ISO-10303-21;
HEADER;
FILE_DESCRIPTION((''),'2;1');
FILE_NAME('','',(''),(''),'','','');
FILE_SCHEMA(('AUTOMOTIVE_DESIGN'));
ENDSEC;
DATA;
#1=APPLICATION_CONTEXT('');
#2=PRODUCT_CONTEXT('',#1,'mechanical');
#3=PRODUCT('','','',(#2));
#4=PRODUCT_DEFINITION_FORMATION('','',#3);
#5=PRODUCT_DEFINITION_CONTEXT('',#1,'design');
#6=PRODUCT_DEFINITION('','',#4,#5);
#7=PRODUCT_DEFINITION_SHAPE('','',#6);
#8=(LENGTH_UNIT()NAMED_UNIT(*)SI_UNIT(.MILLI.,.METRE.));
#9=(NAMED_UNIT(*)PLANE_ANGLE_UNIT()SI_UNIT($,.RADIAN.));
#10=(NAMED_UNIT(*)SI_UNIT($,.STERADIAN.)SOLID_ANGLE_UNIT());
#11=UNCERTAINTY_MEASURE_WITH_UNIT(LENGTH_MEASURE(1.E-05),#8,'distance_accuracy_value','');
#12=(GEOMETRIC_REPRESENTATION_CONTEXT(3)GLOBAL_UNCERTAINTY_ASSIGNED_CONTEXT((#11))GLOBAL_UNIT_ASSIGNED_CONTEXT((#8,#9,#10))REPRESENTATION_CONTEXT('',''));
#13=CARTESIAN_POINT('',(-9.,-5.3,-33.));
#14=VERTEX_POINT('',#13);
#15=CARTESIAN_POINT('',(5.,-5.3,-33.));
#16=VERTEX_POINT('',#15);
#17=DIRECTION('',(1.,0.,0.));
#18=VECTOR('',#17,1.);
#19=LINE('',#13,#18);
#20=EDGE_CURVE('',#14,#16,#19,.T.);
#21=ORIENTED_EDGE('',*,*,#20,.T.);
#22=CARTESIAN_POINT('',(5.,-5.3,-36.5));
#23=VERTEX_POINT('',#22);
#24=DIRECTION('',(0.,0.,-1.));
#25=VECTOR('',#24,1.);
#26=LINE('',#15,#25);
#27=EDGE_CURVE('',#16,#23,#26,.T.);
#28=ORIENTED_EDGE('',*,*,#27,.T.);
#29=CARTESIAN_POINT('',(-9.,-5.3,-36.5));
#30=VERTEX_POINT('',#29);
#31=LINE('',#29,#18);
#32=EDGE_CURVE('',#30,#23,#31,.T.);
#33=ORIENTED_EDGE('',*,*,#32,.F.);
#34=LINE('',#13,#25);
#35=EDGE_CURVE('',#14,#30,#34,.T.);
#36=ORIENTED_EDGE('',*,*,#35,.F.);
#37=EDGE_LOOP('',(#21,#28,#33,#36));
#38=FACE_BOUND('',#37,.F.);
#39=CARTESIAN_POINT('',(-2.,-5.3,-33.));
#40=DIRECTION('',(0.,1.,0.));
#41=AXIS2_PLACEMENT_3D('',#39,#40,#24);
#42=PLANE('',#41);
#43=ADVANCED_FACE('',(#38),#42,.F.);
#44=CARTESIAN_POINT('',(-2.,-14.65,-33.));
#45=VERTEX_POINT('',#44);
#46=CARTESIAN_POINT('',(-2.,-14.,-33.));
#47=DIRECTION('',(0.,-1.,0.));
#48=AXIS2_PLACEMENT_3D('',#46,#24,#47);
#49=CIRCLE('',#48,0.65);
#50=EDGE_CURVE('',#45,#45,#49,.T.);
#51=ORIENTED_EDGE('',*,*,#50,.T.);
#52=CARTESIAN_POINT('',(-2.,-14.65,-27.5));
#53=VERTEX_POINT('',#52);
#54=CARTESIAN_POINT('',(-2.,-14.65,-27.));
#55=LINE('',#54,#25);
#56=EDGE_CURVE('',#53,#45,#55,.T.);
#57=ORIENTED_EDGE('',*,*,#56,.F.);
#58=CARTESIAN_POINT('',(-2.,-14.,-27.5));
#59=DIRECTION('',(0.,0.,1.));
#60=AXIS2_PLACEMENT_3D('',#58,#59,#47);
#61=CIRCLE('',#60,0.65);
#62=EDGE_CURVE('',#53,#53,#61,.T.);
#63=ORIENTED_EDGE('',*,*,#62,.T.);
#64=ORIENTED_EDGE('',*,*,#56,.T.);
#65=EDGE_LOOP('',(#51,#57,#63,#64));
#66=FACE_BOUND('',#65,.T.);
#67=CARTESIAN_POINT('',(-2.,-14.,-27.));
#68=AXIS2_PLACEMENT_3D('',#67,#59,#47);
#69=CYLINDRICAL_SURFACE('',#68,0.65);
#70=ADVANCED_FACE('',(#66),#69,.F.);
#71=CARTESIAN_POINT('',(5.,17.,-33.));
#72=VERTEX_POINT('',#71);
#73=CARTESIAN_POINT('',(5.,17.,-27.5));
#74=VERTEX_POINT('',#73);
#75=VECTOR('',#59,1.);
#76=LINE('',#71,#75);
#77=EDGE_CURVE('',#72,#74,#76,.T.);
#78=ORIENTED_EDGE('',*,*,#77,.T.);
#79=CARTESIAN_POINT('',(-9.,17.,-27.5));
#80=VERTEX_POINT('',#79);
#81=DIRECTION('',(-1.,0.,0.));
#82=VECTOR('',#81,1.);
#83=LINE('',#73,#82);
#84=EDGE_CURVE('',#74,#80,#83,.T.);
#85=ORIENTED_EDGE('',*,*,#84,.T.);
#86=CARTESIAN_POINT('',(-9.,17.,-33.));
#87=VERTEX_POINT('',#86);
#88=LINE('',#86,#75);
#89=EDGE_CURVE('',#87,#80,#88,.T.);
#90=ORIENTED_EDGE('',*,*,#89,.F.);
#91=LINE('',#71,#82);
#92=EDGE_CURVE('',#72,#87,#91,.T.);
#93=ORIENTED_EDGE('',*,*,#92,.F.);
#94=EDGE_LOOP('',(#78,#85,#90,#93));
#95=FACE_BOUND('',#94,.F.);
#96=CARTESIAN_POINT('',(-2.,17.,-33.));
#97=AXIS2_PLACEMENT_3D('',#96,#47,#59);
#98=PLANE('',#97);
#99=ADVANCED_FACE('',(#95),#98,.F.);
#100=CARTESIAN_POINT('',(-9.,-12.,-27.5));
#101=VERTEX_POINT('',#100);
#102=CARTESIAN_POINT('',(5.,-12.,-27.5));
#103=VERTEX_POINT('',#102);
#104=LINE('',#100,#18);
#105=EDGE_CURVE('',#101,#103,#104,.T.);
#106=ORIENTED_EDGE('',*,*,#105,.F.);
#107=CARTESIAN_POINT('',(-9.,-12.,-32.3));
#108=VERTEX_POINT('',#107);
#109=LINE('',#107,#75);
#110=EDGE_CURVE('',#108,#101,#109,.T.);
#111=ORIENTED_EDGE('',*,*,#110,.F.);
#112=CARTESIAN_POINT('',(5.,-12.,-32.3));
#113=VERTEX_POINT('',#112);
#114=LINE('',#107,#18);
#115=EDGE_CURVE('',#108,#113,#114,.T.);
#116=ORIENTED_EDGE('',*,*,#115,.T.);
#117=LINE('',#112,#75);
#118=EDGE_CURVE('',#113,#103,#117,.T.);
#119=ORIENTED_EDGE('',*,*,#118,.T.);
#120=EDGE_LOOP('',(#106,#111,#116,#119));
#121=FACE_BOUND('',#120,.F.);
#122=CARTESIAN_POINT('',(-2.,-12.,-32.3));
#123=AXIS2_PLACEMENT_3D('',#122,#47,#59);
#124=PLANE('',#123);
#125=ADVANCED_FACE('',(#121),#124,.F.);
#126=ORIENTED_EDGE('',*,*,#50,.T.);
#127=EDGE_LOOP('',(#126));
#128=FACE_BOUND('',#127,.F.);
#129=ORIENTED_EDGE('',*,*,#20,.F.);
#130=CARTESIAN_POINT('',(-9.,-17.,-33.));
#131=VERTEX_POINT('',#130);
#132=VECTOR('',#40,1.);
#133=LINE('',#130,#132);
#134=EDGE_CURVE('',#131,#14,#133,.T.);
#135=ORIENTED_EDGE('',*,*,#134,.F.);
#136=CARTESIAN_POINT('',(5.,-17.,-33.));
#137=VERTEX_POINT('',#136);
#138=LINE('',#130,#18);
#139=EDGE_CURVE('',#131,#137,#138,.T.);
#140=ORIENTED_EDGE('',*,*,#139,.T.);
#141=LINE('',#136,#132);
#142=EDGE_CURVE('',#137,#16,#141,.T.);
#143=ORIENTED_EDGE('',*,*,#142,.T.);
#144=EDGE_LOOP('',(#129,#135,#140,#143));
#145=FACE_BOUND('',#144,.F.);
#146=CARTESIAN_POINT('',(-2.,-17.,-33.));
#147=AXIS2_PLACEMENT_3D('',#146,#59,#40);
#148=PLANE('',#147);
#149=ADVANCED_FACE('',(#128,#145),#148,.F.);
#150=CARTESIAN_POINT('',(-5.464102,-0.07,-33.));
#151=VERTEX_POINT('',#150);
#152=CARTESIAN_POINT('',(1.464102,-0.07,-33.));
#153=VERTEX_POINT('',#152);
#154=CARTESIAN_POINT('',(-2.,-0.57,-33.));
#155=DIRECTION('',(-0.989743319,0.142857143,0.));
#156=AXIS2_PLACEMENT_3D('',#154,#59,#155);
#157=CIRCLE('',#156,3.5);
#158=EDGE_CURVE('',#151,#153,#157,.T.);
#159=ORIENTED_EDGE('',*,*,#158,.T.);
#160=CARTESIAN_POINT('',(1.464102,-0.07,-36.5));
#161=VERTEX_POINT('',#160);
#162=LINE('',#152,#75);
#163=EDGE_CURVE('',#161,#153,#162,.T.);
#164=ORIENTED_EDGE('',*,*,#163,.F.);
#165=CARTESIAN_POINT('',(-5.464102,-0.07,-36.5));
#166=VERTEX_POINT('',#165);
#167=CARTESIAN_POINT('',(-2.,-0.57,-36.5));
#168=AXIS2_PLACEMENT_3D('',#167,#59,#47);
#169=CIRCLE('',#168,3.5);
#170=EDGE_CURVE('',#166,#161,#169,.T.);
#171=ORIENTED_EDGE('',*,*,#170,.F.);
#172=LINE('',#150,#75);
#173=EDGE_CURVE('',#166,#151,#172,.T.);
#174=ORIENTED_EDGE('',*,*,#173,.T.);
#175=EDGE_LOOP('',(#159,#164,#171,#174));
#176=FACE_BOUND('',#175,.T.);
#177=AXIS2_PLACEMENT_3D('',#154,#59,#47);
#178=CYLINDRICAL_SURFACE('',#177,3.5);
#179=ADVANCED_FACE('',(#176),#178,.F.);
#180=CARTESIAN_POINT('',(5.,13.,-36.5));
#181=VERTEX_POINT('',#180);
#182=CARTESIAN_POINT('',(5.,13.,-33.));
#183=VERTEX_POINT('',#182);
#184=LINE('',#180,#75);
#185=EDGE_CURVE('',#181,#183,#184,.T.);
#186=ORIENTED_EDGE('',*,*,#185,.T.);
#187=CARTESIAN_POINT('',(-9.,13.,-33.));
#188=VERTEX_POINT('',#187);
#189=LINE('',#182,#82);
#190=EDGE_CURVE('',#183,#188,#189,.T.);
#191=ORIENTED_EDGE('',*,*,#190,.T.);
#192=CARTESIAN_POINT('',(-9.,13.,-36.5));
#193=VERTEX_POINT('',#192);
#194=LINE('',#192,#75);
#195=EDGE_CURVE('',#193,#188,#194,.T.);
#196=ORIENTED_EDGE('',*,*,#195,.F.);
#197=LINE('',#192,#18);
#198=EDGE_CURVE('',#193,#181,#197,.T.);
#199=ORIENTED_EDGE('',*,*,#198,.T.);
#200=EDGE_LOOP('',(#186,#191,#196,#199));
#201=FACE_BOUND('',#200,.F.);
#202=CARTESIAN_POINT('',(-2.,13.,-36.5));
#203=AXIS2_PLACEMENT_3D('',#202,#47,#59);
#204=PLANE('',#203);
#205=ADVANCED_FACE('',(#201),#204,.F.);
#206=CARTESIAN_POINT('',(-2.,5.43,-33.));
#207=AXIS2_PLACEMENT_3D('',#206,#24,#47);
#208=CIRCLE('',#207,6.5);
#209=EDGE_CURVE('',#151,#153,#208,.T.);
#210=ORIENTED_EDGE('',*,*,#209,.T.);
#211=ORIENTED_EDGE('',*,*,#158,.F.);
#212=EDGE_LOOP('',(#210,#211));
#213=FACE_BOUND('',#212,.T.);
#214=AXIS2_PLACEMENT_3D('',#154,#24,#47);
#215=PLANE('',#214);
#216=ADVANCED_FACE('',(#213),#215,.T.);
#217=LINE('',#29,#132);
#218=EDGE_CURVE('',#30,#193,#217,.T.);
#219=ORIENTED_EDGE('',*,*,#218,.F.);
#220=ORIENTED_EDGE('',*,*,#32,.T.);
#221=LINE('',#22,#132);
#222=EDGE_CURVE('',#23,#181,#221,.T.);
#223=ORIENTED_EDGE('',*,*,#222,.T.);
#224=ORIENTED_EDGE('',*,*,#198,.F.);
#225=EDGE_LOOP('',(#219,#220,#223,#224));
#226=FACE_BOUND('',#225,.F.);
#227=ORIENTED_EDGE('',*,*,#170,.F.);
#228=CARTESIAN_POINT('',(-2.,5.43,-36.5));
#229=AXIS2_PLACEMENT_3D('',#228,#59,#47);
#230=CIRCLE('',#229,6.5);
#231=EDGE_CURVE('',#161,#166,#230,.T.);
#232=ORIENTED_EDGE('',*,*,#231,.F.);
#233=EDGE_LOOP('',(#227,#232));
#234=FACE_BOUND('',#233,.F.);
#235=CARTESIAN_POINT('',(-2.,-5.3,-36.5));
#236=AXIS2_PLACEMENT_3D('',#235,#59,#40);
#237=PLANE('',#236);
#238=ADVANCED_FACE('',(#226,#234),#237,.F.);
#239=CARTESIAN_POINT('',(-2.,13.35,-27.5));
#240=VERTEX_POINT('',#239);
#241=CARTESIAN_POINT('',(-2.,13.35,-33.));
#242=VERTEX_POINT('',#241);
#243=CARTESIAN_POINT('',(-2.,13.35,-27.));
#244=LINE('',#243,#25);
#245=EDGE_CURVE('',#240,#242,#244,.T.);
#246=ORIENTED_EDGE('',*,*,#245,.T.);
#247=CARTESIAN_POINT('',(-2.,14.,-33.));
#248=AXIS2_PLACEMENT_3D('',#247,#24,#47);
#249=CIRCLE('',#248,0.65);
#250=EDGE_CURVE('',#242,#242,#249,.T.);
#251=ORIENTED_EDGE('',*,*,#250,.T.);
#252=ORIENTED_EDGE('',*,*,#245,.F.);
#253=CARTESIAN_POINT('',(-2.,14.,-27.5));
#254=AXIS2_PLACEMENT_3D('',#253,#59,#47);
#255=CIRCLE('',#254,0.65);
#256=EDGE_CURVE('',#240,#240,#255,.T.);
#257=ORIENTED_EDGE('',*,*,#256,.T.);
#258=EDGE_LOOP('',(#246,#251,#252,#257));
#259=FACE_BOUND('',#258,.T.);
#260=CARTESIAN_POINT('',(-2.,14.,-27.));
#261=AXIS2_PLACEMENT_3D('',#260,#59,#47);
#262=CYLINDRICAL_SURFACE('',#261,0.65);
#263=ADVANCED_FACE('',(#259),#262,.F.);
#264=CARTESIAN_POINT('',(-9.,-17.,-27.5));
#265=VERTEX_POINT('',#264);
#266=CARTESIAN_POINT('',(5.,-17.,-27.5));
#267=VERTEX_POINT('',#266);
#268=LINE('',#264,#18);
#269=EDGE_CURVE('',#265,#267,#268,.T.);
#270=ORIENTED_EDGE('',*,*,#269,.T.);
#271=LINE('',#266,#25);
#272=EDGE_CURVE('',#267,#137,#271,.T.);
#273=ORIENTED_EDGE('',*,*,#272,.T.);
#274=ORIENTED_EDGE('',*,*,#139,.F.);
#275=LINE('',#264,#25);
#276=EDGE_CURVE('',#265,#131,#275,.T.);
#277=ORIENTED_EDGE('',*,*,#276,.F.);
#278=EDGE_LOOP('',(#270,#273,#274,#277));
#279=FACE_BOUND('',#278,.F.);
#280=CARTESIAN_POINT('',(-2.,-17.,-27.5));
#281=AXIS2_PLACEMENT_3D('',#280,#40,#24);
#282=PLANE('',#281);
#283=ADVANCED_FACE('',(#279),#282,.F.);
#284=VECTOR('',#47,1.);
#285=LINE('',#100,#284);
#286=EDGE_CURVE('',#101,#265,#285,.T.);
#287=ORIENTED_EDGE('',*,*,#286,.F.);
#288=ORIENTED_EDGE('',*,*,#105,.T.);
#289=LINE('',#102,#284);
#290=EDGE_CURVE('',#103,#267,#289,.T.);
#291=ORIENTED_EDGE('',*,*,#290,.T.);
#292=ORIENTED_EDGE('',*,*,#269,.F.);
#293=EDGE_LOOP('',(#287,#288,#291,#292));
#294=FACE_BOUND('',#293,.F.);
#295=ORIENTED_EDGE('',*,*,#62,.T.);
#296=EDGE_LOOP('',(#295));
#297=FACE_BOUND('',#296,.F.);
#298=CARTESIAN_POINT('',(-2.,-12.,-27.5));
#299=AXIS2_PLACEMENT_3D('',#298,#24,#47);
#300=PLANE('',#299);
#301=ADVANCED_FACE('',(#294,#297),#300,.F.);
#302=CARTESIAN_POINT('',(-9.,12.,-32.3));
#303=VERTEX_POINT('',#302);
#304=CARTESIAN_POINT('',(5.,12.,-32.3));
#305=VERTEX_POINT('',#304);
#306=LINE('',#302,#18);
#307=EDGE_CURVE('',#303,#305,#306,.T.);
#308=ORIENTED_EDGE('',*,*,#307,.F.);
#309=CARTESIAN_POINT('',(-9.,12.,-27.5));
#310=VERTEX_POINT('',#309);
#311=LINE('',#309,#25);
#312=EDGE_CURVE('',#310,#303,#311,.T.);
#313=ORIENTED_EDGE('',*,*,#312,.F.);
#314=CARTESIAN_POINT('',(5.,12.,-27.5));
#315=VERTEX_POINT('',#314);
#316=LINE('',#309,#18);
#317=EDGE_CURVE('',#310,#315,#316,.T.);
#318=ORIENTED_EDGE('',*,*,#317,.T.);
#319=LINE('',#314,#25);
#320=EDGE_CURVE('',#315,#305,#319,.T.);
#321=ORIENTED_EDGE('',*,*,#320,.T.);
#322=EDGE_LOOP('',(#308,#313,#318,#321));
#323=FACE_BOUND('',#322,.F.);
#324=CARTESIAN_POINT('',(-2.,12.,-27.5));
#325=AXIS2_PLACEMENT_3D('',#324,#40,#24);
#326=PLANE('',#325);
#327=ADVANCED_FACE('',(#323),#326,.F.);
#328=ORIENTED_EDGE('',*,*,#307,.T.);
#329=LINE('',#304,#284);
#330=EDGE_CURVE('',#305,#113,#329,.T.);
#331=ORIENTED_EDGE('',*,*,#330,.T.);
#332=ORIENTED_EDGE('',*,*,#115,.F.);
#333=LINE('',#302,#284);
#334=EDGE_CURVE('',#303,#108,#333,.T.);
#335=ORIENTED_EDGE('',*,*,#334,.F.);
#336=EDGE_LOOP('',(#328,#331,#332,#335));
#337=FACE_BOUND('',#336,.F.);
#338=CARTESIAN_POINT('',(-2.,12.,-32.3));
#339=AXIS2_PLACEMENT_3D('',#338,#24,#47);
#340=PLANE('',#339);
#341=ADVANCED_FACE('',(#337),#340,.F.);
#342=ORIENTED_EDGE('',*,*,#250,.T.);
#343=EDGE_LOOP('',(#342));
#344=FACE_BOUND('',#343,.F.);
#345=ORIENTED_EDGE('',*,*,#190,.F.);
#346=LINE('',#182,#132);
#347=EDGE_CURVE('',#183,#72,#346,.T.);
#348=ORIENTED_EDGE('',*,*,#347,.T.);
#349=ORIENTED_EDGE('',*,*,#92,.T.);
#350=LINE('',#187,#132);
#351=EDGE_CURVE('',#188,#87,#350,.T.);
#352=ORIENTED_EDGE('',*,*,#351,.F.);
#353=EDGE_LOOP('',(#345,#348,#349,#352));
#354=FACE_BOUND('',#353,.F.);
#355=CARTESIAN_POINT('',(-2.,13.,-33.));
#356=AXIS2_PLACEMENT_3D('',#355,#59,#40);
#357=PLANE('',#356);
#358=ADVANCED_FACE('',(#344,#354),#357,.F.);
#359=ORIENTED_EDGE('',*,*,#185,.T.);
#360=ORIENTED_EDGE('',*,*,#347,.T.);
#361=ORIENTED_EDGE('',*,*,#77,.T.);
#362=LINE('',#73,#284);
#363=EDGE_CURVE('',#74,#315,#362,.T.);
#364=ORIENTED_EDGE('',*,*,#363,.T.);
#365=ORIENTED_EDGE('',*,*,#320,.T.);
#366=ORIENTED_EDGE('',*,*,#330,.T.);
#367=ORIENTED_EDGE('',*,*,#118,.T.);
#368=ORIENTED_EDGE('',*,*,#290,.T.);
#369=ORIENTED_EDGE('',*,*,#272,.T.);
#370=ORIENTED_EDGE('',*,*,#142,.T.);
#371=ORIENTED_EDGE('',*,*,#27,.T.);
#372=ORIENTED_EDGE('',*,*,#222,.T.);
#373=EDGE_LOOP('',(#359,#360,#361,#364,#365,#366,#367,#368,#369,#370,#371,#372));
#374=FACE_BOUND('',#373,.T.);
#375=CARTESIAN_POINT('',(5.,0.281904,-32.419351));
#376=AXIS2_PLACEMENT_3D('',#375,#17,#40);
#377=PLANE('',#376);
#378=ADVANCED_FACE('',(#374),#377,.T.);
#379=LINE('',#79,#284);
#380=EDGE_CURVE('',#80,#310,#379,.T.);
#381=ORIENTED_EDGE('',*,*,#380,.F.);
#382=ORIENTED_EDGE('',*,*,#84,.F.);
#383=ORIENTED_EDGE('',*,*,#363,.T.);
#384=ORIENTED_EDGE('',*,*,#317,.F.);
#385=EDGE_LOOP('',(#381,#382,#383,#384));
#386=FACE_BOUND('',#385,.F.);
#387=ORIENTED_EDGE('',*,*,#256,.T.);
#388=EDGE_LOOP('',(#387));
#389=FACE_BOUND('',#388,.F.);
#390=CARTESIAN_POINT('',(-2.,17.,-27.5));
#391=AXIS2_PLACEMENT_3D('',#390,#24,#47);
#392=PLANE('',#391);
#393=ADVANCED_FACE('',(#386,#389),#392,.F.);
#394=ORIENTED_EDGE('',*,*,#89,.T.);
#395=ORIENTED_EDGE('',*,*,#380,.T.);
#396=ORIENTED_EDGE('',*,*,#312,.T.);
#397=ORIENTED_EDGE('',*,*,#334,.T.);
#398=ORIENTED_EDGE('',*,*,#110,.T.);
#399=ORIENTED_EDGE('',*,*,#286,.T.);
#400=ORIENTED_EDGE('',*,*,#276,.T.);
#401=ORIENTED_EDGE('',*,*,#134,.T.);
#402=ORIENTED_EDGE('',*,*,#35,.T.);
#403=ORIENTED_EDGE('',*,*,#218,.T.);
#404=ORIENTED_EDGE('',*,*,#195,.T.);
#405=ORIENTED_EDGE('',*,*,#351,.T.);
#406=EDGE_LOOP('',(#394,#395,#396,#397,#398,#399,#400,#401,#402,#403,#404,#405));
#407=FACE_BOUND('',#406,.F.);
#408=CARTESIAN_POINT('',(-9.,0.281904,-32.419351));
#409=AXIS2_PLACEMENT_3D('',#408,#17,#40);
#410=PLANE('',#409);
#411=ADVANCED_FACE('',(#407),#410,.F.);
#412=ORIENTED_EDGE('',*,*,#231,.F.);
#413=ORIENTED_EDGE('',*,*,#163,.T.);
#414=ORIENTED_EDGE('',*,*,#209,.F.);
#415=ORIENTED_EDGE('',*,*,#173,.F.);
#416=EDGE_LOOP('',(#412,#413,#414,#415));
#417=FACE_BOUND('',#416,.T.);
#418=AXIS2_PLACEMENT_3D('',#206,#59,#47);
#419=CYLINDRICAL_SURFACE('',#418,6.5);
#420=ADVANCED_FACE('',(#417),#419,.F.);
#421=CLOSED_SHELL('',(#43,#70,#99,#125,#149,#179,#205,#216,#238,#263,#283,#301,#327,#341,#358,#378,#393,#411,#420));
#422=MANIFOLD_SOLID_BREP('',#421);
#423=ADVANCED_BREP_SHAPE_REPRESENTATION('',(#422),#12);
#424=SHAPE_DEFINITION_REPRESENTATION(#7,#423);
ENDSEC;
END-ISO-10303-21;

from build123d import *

# Parameters (mm, degrees)
CYLINDER001_R          = 3.5
CYLINDER001_DEPTH      = 4
CYLINDER001_ROLL_ANGLE = 90
CYLINDER003_R          = 0.65
CYLINDER003_DEPTH      = 6
CYLINDER003_ROLL_ANGLE = 90
CYLINDER_R             = 6.5
CYLINDER_DEPTH         = 4
CYLINDER_ROLL_ANGLE    = 90
CYLINDER002_R          = 0.65
CYLINDER002_DEPTH      = 6
CYLINDER002_ROLL_ANGLE = 90
PAD002_DEPTH           = 7
CUT003_ROLL_ANGLE      = 90
CUT003_PLACEMENT_ANGLE = -90


with BuildPart() as cylinder001:
    # Cylinder001 → Cylinder001 (new body)
    with BuildSketch(Plane.XY):
        Circle(CYLINDER001_R)
    extrude(amount=CYLINDER001_DEPTH)


with BuildPart() as cylinder001_1:
    # Cylinder001 roll: moved
    add(cylinder001.part.rotate(Axis((0, 0, 0), (1, 0, 0)), CYLINDER001_ROLL_ANGLE))


with BuildPart() as cylinder001_2:
    # Cylinder001 placement: moved
    add(cylinder001_1.part.moved(Location((0.57, -7, 0))))


with BuildPart() as cylinder003:
    # Cylinder003 → Cylinder003 (new body)
    with BuildSketch(Plane.XY):
        Circle(CYLINDER003_R)
    extrude(amount=CYLINDER003_DEPTH)


with BuildPart() as cylinder003_1:
    # Cylinder003 roll: moved
    add(cylinder003.part.rotate(Axis((0, 0, 0), (1, 0, 0)), CYLINDER003_ROLL_ANGLE))


with BuildPart() as cylinder003_2:
    # Cylinder003 placement: moved
    add(cylinder003_1.part.moved(Location((14, -1, 0))))


with BuildPart() as cylinder:
    # Cylinder → Cylinder (new body)
    with BuildSketch(Plane.XY):
        Circle(CYLINDER_R)
    extrude(amount=CYLINDER_DEPTH)


with BuildPart() as cylinder_1:
    # Cylinder roll: moved
    add(cylinder.part.rotate(Axis((0, 0, 0), (1, 0, 0)), CYLINDER_ROLL_ANGLE))


with BuildPart() as cylinder_2:
    # Cylinder placement: moved
    add(cylinder_1.part.moved(Location((-5.43, -7, 0))))


with BuildPart() as fusion001:
    # Cylinder002 → Cylinder002 (new body)
    with BuildSketch(Plane.XY):
        Circle(CYLINDER002_R)
    extrude(amount=CYLINDER002_DEPTH)


with BuildPart() as fusion001_1:
    # Cylinder002 roll: moved
    add(fusion001.part.rotate(Axis((0, 0, 0), (1, 0, 0)), CYLINDER002_ROLL_ANGLE))


with BuildPart() as fusion001_2:
    # Cylinder002 placement: moved
    add(fusion001_1.part.moved(Location((-14, -1, 0))))

    # Fusion001: union Cylinder001, Cylinder003, Cylinder
    add(cylinder001_2.part)
    add(cylinder003_2.part)
    add(cylinder_2.part)


with BuildPart() as cut003:
    # Sketch → Pad002 (new body, symmetric)
    with BuildSketch(Plane.XY):
        Polygon((-17, -1.5), (-12, -1.5), (-12, -6.3), (12, -6.3), (12, -1.5), (17, -1.5), (17, -7), (5.3, -7), (5.3, -10.5), (-13, -10.5), (-13, -7), (-17, -7), align=None)
    extrude(amount=PAD002_DEPTH, both=True)

    # Cut003: cut Fusion001
    add(fusion001_2.part, mode=Mode.SUBTRACT)


with BuildPart() as cut003_1:
    # Cut003 roll: moved
    add(cut003.part.rotate(Axis((0, 0, 0), (1, 0, 0)), CUT003_ROLL_ANGLE))


with BuildPart() as cut003_2:
    # Cut003 placement: moved
    add(cut003_1.part.moved(Location((-2, 0, -26))).rotate(Axis((-2, 0, -26), (0, 0, 1)), CUT003_PLACEMENT_ANGLE))


solid = cut003_2.part
